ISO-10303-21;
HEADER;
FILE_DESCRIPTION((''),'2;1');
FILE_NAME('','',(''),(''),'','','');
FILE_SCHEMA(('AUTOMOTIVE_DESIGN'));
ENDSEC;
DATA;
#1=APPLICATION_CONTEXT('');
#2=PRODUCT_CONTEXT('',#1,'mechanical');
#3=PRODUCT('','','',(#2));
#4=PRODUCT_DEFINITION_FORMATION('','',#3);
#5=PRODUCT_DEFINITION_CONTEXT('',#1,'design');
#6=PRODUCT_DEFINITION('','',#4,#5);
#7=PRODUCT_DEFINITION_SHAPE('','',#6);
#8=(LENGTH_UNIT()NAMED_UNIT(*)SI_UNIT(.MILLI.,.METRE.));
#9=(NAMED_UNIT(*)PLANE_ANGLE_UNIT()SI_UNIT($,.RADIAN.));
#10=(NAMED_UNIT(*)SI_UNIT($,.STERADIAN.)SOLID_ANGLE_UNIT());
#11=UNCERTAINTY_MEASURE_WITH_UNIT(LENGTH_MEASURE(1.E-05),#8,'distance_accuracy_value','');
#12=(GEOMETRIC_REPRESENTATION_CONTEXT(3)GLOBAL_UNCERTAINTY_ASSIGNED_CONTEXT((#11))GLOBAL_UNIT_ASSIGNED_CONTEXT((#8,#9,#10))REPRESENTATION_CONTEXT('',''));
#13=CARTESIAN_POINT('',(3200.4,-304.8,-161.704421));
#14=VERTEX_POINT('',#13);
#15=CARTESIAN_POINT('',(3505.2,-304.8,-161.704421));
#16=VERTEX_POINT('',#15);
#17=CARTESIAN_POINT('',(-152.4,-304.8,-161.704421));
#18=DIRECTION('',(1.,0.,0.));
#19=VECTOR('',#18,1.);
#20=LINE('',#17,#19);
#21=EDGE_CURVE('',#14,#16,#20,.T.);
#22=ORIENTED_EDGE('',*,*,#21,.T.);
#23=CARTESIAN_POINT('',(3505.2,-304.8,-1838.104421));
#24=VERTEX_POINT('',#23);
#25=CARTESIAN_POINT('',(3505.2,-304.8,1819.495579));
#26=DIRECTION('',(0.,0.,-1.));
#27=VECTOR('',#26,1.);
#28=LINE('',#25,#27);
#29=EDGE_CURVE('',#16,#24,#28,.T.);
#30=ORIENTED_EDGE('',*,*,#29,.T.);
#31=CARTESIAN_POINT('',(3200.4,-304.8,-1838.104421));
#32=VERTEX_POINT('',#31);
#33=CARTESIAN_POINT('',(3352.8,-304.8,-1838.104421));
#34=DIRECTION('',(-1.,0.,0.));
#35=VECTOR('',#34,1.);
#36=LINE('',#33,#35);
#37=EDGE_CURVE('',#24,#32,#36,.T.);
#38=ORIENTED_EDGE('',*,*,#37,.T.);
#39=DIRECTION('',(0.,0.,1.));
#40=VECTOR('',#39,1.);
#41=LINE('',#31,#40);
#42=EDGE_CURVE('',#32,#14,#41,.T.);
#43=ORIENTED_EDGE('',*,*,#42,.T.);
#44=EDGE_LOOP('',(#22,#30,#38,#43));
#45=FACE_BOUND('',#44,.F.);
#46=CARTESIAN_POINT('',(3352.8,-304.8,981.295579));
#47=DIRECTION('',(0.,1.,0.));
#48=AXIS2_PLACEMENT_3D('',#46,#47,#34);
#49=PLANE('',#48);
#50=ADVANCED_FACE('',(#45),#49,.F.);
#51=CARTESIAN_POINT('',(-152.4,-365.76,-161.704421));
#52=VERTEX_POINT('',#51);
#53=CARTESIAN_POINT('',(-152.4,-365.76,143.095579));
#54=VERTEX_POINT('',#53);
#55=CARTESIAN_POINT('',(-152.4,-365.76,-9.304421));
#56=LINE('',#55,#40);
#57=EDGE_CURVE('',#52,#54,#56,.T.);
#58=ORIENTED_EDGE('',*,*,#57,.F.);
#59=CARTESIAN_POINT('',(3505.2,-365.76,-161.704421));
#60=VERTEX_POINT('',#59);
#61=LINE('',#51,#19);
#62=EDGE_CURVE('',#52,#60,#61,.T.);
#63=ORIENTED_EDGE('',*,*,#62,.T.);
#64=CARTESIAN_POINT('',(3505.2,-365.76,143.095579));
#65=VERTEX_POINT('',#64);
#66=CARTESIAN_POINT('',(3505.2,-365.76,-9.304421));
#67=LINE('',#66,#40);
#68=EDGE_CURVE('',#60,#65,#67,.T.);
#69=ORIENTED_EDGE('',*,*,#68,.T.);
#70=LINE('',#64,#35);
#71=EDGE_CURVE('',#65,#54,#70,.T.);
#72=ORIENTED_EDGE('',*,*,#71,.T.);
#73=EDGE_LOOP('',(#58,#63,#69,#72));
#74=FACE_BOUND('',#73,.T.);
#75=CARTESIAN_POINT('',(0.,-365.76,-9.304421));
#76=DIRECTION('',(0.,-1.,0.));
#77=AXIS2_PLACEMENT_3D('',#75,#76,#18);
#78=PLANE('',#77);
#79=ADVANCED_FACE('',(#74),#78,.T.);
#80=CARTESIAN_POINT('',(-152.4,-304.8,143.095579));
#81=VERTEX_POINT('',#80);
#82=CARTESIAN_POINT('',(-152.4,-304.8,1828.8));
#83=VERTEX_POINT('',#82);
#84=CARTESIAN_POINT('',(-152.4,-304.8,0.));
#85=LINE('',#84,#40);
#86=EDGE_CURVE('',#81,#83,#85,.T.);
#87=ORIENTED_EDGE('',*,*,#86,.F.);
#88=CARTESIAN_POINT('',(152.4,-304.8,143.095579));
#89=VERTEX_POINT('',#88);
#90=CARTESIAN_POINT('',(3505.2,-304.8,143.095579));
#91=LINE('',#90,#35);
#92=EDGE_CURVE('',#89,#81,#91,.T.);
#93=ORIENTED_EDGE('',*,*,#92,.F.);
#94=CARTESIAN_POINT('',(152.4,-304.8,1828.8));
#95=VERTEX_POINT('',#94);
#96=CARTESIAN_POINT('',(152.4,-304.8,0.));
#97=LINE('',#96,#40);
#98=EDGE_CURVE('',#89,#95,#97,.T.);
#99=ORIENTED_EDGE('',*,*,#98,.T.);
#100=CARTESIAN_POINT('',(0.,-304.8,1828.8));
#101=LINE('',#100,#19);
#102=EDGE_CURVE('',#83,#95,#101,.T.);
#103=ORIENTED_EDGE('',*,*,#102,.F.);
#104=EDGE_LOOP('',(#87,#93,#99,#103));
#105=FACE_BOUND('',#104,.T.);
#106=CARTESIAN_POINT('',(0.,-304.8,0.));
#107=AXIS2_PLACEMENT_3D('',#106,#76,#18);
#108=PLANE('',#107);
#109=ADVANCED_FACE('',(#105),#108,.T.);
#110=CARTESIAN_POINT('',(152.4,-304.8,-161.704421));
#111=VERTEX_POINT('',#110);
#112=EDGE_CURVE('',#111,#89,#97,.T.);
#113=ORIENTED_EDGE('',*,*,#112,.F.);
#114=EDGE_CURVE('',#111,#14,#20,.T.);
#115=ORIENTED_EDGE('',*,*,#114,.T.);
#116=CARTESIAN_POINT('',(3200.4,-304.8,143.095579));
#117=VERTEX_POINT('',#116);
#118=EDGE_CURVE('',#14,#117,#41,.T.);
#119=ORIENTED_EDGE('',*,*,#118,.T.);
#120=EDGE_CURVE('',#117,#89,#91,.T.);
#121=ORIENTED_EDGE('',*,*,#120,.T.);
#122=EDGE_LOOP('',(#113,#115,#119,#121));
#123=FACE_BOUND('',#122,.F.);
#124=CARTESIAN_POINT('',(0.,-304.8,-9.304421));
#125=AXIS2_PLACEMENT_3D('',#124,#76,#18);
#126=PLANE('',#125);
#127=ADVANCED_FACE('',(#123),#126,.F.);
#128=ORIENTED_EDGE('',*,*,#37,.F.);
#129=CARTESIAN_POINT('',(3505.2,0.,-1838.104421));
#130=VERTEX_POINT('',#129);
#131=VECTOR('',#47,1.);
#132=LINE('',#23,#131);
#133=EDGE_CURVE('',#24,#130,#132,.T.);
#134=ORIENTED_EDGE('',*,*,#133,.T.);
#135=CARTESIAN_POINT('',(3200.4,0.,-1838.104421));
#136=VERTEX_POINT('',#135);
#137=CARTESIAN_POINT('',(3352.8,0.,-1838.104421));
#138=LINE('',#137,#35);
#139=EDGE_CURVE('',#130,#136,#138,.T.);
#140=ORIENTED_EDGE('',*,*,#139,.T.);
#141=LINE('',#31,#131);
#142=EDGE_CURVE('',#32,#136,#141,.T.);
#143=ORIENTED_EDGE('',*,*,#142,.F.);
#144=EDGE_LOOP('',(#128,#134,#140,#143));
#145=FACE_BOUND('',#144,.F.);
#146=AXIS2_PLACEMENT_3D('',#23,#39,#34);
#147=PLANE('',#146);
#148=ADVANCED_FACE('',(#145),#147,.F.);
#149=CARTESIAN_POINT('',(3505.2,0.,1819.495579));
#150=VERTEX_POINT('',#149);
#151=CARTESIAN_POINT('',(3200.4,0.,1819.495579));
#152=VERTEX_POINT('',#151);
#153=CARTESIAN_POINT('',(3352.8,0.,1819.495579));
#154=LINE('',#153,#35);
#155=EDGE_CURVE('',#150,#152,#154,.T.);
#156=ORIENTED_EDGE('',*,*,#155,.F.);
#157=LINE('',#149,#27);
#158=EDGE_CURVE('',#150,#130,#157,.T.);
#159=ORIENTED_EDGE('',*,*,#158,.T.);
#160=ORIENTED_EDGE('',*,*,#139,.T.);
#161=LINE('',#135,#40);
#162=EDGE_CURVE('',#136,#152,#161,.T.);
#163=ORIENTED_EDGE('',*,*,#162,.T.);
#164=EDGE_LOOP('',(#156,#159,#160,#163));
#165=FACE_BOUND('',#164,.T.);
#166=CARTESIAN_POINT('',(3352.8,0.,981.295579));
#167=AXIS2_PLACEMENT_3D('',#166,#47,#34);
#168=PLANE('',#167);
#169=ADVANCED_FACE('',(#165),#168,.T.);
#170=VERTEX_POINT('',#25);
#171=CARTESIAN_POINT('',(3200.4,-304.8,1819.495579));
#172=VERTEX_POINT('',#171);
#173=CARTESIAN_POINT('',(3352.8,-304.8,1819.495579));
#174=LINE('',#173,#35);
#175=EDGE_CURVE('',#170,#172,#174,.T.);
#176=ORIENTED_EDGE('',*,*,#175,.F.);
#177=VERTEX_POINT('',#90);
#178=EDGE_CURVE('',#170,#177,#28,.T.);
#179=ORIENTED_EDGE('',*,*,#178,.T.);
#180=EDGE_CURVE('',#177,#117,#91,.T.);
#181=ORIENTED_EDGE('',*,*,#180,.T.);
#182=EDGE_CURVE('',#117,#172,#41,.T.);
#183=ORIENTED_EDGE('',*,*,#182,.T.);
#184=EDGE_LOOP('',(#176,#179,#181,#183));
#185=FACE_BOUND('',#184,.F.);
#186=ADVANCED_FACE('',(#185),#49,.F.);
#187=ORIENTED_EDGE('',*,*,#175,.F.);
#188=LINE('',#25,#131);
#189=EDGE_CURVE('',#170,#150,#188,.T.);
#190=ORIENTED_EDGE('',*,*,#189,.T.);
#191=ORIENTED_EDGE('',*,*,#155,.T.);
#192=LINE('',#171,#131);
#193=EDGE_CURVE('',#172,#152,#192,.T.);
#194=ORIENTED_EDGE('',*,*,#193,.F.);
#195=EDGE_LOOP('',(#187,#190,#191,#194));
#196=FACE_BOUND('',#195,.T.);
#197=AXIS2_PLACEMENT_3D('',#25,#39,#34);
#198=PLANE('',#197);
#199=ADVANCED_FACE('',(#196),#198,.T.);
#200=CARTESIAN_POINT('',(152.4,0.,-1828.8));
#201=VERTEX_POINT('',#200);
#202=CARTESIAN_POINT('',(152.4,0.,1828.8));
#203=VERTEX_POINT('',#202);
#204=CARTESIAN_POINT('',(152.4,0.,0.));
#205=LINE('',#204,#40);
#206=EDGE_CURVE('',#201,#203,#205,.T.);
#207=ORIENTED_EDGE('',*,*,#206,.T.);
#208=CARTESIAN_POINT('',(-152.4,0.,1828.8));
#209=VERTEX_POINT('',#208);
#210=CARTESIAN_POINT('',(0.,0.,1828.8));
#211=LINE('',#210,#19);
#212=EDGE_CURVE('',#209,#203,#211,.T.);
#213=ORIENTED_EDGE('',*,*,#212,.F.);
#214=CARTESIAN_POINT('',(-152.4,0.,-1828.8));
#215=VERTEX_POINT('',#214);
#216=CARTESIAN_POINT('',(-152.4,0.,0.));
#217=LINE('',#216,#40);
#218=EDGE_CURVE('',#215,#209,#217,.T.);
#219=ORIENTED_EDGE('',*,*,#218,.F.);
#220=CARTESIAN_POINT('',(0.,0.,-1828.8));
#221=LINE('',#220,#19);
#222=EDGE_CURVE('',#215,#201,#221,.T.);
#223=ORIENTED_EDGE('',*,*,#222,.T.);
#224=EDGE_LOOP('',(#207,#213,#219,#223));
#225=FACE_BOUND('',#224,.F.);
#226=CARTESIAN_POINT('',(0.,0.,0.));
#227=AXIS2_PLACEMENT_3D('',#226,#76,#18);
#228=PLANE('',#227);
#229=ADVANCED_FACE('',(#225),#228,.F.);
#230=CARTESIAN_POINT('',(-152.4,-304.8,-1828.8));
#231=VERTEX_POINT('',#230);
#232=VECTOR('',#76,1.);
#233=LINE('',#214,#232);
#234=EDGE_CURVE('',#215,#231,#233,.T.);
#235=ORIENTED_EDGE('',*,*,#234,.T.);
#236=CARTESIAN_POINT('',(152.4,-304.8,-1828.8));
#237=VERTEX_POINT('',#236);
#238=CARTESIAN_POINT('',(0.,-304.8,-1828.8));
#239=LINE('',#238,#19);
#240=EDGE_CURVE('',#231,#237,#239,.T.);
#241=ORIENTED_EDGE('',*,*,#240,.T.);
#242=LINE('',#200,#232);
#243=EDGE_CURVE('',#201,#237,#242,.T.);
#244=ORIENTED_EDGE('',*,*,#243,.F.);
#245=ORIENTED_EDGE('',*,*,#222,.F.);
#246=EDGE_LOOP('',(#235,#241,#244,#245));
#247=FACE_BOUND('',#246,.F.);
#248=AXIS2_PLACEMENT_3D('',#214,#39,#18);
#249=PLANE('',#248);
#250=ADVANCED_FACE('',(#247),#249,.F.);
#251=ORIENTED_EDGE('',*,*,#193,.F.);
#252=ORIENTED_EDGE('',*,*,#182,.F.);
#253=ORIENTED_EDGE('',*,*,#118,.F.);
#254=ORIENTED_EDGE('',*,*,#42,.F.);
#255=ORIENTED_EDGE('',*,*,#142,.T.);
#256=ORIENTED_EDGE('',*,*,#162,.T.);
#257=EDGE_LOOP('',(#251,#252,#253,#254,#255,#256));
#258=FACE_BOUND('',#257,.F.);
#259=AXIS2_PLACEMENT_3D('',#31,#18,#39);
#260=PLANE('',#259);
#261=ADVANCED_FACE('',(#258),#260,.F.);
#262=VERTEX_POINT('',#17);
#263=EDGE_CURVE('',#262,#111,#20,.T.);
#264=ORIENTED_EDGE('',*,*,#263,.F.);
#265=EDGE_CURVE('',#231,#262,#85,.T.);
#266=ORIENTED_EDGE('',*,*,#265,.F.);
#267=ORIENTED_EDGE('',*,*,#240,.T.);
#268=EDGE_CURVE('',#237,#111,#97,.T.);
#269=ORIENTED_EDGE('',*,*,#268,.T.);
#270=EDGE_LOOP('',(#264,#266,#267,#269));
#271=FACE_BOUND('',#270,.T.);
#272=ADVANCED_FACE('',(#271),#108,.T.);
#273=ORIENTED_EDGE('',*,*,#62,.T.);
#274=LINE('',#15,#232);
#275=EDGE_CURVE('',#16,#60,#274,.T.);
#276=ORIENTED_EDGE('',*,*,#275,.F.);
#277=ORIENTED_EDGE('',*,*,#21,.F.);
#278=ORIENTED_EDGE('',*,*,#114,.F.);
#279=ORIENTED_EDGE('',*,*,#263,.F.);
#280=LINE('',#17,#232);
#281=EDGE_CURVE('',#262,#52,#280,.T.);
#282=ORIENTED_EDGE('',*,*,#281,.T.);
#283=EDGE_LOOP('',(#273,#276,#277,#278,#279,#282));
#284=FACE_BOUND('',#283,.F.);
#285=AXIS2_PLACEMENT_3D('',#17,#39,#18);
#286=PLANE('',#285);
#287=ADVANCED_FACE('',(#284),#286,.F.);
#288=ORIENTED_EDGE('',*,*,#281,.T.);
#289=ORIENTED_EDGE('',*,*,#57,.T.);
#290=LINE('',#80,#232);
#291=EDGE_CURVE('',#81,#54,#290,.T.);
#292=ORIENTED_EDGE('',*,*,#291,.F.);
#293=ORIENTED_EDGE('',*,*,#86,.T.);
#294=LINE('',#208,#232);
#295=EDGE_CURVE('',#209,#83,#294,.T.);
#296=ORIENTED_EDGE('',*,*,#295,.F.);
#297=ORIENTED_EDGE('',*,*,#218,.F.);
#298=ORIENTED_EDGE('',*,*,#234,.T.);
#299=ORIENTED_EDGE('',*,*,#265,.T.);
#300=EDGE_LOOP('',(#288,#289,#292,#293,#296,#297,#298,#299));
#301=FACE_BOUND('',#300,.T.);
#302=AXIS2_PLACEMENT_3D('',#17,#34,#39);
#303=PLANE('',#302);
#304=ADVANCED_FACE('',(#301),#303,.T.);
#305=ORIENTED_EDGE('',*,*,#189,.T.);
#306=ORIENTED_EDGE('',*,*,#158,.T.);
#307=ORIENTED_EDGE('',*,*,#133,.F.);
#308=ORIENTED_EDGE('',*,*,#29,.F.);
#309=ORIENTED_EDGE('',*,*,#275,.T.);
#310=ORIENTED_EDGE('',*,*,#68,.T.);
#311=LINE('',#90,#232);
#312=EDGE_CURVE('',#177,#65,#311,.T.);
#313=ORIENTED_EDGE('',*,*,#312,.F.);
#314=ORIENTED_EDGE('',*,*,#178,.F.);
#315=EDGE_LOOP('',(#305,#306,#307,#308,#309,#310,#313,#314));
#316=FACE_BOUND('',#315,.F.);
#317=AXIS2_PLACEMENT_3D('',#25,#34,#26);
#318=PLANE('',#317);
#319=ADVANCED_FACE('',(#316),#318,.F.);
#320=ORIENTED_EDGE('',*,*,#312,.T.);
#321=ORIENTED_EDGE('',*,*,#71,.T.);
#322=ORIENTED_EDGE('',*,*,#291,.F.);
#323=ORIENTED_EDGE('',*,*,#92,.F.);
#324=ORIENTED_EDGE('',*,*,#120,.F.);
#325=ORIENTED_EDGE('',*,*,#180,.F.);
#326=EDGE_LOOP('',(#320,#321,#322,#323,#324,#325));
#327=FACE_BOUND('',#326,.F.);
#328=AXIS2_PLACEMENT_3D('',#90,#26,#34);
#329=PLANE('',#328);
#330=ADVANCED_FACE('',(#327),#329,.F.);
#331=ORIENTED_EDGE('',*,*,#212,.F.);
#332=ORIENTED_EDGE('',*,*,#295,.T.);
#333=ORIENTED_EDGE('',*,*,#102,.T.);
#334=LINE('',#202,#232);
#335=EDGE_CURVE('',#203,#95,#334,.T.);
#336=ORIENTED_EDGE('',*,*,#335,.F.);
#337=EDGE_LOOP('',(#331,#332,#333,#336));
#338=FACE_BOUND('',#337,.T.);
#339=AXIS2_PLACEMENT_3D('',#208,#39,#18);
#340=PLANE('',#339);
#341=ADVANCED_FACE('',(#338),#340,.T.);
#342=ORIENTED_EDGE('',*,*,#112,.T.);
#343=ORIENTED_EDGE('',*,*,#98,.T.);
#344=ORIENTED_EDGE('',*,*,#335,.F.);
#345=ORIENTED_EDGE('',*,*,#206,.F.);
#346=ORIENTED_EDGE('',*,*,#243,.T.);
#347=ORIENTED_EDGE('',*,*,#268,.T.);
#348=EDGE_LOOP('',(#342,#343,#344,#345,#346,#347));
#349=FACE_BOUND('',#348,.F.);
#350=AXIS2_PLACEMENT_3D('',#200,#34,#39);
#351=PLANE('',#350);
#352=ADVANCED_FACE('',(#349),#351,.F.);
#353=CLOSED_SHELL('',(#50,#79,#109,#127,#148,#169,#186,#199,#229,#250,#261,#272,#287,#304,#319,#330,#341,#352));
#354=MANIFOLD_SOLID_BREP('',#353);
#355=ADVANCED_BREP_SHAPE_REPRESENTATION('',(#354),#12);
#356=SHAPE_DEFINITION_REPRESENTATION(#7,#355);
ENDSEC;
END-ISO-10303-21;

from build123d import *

# Parameters (mm, degrees)
F0_W     = 304.8
F0_H     = 3657.6
F1_DEPTH = 304.8
F2_W     = 304.8
F2_H     = 304.8
F2_W_2   = 3352.8
F3_DEPTH = 60.96
F4_W     = 304.8
F4_H     = 1676.4
F4_H_2   = 304.8
F5_DEPTH = 304.8


with BuildPart() as f1:
    # F0 (on Front) → F1 (new body)
    with BuildSketch(Plane.XZ):
        Rectangle(F0_W, F0_H)
    extrude(amount=F1_DEPTH)

    # F2 (on face) → F3 (join)
    with BuildSketch(Plane.XZ.offset(304.8)):
        with Locations((0, -9.3044210434)):
            Rectangle(F2_W, F2_H)
        with Locations((1828.8, -9.3044210434)):
            Rectangle(F2_W_2, F2_H)
    extrude(amount=F3_DEPTH)

    # F4 (on face) → F5 (join)
    with BuildSketch(Plane(origin=(0, -304.8, 0), x_dir=(-1, 0, 0), z_dir=(0, 1, 0))):
        with Locations((-3352.8, 981.2955789566)):
            Rectangle(F4_W, F4_H)
        with Locations((-3352.8, -9.3044210434)):
            Rectangle(F4_W, F4_H_2)
        with Locations((-3352.8, -999.9044210434)):
            Rectangle(F4_W, F4_H)
    extrude(amount=F5_DEPTH)


solid = f1.part
